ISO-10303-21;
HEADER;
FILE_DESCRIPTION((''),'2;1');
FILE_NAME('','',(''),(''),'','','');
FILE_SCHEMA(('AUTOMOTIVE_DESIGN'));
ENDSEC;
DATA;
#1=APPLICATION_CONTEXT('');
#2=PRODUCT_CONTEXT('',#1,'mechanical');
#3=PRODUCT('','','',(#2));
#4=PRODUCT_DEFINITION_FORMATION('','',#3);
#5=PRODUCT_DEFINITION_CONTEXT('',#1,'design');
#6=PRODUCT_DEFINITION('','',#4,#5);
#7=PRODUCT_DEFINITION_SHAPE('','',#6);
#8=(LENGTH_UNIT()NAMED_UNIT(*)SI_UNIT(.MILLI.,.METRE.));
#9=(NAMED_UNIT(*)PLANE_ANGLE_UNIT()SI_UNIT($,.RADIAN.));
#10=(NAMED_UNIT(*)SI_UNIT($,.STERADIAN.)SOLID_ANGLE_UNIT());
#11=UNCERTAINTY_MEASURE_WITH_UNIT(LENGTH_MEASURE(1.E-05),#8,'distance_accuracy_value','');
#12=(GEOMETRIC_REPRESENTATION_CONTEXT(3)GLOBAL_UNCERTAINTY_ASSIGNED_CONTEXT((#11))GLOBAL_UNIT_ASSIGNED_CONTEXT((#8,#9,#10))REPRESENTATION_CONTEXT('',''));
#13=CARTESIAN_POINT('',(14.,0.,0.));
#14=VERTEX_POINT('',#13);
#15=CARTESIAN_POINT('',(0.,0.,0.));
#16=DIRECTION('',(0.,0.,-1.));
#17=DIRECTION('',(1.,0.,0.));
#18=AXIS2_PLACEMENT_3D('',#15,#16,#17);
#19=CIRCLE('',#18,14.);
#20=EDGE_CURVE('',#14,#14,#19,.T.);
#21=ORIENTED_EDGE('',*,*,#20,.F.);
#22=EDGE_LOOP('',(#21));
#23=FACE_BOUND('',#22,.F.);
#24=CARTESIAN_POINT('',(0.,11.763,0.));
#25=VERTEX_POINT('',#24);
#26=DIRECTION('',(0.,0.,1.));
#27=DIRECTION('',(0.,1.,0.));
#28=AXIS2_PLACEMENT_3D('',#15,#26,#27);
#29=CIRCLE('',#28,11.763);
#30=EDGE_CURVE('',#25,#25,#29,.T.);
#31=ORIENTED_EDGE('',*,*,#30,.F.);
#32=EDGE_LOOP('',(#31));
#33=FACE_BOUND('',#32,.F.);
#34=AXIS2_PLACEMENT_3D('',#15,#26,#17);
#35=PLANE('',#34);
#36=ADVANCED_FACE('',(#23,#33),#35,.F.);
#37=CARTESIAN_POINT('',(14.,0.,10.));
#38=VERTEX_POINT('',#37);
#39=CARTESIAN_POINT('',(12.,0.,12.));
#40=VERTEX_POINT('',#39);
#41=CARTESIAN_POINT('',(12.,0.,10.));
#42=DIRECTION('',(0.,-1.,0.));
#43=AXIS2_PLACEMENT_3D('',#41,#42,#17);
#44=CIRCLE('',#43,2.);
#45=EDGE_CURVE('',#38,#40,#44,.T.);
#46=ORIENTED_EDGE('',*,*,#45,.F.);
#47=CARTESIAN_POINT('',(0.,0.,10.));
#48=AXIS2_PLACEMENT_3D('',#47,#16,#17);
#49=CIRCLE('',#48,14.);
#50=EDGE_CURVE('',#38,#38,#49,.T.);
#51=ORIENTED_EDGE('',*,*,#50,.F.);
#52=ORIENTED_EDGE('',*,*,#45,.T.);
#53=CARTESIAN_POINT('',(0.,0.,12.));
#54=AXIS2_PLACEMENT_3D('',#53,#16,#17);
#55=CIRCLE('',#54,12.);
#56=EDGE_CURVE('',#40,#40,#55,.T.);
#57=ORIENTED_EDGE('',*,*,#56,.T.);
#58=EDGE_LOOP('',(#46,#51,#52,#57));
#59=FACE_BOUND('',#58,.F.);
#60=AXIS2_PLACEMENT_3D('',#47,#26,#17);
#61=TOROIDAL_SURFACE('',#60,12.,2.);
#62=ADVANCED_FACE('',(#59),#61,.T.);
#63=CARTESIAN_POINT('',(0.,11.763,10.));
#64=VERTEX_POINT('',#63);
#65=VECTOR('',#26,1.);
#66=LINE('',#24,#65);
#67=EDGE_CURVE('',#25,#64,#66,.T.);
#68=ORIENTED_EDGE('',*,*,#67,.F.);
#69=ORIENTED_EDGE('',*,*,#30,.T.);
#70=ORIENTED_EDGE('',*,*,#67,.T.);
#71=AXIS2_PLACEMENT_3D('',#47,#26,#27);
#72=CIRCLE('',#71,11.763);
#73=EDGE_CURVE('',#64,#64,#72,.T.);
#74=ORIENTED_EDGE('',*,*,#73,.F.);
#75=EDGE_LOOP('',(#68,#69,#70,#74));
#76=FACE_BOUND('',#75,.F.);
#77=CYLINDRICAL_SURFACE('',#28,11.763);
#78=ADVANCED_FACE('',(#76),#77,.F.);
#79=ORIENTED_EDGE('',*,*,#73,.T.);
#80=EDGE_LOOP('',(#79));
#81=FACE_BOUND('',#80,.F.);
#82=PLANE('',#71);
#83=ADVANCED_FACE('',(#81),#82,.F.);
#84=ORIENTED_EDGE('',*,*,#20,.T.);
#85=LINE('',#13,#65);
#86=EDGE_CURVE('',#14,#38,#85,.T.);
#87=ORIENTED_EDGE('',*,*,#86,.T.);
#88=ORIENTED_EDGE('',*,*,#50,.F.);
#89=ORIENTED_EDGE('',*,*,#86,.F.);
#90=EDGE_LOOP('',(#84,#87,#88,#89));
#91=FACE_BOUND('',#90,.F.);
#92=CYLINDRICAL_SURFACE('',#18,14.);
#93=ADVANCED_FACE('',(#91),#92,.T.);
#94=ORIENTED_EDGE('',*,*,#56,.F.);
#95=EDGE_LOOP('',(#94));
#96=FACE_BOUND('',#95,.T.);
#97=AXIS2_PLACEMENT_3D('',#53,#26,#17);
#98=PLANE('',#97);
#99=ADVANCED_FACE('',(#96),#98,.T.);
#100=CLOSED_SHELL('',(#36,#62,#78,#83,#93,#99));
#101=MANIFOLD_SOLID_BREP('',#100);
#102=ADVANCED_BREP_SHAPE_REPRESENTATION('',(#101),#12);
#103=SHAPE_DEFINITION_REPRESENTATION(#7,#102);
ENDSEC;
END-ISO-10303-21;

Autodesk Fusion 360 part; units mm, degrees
sketch "Sketch1" plane through (0, 0, 0) normal (0, 0, 1) x (1, 0, 0)
  circle A0 centre (0, 0) radius 14
  dimension "d1" = 28
extrude "Extrude1" add sketch "Sketch1" along normal blind 12
sketch "Sketch4" plane through (0, 0, 0) normal (0, 0, -1) x (1, 0, 0)
  circle A0 centre (0, 0) radius 14
  circle A1 centre (0, 0) radius 12.5
  dimension "d5" = 25
hole "Hole1" at (0, 0, 0) direction (0, 0, 1) diameter 25 depth 10 tip angle 180
thread "Thread1" "ISO Metric profile 25.0 M25x1.5 M25x1.5 6H" major diameter 25.208 minor diameter 23.526 pitch 1.5 angle 60 resizes the face on face at (0.6231, 12.4845, 3.3333)
fillet "Fillet1" radius 2 1 edges at (-13.0526, -5.0626, 12)
